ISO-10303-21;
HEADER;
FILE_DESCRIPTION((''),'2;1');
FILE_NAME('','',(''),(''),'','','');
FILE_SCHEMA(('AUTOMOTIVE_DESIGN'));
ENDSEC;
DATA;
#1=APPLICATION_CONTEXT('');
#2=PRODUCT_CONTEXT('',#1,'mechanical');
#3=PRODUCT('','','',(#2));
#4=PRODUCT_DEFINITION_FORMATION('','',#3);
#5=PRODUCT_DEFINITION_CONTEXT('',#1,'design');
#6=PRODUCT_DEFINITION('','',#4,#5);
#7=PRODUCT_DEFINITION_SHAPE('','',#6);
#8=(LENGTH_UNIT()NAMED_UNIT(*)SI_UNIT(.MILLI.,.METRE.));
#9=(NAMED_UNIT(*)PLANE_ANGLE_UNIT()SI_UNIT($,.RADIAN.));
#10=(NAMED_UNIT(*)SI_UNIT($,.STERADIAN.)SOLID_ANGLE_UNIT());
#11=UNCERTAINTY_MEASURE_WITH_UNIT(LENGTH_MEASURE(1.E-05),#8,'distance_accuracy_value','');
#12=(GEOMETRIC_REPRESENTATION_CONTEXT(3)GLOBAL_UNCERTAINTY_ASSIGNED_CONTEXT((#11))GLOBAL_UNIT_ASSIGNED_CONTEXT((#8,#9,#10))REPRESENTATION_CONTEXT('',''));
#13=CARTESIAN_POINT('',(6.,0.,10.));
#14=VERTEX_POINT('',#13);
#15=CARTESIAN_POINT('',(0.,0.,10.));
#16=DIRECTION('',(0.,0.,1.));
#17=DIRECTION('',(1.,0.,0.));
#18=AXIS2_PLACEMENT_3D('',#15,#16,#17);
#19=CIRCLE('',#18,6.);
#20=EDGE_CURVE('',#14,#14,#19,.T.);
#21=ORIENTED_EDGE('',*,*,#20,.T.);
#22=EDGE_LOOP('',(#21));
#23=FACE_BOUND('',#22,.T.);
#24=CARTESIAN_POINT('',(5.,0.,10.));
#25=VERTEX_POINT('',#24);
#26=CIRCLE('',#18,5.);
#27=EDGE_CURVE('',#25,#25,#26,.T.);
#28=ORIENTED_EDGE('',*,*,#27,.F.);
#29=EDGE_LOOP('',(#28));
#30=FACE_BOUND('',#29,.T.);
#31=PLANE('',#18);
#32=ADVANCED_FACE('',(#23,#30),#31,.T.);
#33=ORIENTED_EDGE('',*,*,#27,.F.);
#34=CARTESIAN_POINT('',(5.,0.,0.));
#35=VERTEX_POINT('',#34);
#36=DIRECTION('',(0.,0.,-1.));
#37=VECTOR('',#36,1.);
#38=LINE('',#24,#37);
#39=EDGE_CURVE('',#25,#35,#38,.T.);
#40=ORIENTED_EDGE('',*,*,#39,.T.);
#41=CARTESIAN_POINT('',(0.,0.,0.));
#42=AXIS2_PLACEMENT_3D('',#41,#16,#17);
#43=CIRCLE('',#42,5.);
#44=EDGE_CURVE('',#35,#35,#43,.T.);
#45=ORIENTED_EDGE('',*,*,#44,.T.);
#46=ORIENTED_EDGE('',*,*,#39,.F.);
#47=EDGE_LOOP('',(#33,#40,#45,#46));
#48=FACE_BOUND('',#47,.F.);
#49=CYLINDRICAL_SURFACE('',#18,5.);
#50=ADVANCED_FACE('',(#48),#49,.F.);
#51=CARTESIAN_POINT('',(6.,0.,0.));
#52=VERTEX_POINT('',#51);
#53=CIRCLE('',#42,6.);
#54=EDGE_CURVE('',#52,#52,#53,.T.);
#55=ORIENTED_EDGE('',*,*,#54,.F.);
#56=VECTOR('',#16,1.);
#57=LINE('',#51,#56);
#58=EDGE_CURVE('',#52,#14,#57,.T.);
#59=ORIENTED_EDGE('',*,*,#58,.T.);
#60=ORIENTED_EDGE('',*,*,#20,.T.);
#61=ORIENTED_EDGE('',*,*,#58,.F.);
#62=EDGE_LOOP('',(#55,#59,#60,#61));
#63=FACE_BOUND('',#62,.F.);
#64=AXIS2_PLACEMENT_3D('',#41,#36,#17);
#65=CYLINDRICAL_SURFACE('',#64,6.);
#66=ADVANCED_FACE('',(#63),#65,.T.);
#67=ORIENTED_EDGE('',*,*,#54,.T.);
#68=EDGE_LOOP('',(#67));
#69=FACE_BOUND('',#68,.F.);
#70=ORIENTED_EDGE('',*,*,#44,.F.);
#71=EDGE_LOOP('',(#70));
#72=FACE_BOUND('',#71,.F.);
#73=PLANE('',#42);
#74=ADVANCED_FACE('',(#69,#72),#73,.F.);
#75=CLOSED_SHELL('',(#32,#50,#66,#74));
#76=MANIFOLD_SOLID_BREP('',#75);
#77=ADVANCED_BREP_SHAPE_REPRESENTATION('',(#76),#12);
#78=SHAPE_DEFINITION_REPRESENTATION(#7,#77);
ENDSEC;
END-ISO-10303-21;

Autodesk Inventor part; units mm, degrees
ref_plane "YZ Plane" through (0, 0, 0) normal (1, 0, 0) x (0, 1, 0)
ref_plane "XZ Plane" through (0, 0, 0) normal (0, 1, 0) x (-1, 0, 0)
ref_plane "XY Plane" through (0, 0, 0) normal (0, 0, 1) x (1, 0, 0)
sketch "Skizze1" plane through (0, 0, 0) normal (0, 0, 1) x (1, 0, 0)
  circle A0 centre (0, 0) radius 6
  dimension "d0" = 12
extrude "Extrusion1" add sketch "Skizze1" along normal blind 10
sketch "Skizze2" plane through (0, 0, 10) normal (0, 0, 1) x (1, 0, 0)
  circle A0 centre (0, 0) radius 5
  dimension "d3" = 10
extrude "Extrusion2" cut sketch "Skizze2" against normal through all
properties part number "Lenkkappe"
